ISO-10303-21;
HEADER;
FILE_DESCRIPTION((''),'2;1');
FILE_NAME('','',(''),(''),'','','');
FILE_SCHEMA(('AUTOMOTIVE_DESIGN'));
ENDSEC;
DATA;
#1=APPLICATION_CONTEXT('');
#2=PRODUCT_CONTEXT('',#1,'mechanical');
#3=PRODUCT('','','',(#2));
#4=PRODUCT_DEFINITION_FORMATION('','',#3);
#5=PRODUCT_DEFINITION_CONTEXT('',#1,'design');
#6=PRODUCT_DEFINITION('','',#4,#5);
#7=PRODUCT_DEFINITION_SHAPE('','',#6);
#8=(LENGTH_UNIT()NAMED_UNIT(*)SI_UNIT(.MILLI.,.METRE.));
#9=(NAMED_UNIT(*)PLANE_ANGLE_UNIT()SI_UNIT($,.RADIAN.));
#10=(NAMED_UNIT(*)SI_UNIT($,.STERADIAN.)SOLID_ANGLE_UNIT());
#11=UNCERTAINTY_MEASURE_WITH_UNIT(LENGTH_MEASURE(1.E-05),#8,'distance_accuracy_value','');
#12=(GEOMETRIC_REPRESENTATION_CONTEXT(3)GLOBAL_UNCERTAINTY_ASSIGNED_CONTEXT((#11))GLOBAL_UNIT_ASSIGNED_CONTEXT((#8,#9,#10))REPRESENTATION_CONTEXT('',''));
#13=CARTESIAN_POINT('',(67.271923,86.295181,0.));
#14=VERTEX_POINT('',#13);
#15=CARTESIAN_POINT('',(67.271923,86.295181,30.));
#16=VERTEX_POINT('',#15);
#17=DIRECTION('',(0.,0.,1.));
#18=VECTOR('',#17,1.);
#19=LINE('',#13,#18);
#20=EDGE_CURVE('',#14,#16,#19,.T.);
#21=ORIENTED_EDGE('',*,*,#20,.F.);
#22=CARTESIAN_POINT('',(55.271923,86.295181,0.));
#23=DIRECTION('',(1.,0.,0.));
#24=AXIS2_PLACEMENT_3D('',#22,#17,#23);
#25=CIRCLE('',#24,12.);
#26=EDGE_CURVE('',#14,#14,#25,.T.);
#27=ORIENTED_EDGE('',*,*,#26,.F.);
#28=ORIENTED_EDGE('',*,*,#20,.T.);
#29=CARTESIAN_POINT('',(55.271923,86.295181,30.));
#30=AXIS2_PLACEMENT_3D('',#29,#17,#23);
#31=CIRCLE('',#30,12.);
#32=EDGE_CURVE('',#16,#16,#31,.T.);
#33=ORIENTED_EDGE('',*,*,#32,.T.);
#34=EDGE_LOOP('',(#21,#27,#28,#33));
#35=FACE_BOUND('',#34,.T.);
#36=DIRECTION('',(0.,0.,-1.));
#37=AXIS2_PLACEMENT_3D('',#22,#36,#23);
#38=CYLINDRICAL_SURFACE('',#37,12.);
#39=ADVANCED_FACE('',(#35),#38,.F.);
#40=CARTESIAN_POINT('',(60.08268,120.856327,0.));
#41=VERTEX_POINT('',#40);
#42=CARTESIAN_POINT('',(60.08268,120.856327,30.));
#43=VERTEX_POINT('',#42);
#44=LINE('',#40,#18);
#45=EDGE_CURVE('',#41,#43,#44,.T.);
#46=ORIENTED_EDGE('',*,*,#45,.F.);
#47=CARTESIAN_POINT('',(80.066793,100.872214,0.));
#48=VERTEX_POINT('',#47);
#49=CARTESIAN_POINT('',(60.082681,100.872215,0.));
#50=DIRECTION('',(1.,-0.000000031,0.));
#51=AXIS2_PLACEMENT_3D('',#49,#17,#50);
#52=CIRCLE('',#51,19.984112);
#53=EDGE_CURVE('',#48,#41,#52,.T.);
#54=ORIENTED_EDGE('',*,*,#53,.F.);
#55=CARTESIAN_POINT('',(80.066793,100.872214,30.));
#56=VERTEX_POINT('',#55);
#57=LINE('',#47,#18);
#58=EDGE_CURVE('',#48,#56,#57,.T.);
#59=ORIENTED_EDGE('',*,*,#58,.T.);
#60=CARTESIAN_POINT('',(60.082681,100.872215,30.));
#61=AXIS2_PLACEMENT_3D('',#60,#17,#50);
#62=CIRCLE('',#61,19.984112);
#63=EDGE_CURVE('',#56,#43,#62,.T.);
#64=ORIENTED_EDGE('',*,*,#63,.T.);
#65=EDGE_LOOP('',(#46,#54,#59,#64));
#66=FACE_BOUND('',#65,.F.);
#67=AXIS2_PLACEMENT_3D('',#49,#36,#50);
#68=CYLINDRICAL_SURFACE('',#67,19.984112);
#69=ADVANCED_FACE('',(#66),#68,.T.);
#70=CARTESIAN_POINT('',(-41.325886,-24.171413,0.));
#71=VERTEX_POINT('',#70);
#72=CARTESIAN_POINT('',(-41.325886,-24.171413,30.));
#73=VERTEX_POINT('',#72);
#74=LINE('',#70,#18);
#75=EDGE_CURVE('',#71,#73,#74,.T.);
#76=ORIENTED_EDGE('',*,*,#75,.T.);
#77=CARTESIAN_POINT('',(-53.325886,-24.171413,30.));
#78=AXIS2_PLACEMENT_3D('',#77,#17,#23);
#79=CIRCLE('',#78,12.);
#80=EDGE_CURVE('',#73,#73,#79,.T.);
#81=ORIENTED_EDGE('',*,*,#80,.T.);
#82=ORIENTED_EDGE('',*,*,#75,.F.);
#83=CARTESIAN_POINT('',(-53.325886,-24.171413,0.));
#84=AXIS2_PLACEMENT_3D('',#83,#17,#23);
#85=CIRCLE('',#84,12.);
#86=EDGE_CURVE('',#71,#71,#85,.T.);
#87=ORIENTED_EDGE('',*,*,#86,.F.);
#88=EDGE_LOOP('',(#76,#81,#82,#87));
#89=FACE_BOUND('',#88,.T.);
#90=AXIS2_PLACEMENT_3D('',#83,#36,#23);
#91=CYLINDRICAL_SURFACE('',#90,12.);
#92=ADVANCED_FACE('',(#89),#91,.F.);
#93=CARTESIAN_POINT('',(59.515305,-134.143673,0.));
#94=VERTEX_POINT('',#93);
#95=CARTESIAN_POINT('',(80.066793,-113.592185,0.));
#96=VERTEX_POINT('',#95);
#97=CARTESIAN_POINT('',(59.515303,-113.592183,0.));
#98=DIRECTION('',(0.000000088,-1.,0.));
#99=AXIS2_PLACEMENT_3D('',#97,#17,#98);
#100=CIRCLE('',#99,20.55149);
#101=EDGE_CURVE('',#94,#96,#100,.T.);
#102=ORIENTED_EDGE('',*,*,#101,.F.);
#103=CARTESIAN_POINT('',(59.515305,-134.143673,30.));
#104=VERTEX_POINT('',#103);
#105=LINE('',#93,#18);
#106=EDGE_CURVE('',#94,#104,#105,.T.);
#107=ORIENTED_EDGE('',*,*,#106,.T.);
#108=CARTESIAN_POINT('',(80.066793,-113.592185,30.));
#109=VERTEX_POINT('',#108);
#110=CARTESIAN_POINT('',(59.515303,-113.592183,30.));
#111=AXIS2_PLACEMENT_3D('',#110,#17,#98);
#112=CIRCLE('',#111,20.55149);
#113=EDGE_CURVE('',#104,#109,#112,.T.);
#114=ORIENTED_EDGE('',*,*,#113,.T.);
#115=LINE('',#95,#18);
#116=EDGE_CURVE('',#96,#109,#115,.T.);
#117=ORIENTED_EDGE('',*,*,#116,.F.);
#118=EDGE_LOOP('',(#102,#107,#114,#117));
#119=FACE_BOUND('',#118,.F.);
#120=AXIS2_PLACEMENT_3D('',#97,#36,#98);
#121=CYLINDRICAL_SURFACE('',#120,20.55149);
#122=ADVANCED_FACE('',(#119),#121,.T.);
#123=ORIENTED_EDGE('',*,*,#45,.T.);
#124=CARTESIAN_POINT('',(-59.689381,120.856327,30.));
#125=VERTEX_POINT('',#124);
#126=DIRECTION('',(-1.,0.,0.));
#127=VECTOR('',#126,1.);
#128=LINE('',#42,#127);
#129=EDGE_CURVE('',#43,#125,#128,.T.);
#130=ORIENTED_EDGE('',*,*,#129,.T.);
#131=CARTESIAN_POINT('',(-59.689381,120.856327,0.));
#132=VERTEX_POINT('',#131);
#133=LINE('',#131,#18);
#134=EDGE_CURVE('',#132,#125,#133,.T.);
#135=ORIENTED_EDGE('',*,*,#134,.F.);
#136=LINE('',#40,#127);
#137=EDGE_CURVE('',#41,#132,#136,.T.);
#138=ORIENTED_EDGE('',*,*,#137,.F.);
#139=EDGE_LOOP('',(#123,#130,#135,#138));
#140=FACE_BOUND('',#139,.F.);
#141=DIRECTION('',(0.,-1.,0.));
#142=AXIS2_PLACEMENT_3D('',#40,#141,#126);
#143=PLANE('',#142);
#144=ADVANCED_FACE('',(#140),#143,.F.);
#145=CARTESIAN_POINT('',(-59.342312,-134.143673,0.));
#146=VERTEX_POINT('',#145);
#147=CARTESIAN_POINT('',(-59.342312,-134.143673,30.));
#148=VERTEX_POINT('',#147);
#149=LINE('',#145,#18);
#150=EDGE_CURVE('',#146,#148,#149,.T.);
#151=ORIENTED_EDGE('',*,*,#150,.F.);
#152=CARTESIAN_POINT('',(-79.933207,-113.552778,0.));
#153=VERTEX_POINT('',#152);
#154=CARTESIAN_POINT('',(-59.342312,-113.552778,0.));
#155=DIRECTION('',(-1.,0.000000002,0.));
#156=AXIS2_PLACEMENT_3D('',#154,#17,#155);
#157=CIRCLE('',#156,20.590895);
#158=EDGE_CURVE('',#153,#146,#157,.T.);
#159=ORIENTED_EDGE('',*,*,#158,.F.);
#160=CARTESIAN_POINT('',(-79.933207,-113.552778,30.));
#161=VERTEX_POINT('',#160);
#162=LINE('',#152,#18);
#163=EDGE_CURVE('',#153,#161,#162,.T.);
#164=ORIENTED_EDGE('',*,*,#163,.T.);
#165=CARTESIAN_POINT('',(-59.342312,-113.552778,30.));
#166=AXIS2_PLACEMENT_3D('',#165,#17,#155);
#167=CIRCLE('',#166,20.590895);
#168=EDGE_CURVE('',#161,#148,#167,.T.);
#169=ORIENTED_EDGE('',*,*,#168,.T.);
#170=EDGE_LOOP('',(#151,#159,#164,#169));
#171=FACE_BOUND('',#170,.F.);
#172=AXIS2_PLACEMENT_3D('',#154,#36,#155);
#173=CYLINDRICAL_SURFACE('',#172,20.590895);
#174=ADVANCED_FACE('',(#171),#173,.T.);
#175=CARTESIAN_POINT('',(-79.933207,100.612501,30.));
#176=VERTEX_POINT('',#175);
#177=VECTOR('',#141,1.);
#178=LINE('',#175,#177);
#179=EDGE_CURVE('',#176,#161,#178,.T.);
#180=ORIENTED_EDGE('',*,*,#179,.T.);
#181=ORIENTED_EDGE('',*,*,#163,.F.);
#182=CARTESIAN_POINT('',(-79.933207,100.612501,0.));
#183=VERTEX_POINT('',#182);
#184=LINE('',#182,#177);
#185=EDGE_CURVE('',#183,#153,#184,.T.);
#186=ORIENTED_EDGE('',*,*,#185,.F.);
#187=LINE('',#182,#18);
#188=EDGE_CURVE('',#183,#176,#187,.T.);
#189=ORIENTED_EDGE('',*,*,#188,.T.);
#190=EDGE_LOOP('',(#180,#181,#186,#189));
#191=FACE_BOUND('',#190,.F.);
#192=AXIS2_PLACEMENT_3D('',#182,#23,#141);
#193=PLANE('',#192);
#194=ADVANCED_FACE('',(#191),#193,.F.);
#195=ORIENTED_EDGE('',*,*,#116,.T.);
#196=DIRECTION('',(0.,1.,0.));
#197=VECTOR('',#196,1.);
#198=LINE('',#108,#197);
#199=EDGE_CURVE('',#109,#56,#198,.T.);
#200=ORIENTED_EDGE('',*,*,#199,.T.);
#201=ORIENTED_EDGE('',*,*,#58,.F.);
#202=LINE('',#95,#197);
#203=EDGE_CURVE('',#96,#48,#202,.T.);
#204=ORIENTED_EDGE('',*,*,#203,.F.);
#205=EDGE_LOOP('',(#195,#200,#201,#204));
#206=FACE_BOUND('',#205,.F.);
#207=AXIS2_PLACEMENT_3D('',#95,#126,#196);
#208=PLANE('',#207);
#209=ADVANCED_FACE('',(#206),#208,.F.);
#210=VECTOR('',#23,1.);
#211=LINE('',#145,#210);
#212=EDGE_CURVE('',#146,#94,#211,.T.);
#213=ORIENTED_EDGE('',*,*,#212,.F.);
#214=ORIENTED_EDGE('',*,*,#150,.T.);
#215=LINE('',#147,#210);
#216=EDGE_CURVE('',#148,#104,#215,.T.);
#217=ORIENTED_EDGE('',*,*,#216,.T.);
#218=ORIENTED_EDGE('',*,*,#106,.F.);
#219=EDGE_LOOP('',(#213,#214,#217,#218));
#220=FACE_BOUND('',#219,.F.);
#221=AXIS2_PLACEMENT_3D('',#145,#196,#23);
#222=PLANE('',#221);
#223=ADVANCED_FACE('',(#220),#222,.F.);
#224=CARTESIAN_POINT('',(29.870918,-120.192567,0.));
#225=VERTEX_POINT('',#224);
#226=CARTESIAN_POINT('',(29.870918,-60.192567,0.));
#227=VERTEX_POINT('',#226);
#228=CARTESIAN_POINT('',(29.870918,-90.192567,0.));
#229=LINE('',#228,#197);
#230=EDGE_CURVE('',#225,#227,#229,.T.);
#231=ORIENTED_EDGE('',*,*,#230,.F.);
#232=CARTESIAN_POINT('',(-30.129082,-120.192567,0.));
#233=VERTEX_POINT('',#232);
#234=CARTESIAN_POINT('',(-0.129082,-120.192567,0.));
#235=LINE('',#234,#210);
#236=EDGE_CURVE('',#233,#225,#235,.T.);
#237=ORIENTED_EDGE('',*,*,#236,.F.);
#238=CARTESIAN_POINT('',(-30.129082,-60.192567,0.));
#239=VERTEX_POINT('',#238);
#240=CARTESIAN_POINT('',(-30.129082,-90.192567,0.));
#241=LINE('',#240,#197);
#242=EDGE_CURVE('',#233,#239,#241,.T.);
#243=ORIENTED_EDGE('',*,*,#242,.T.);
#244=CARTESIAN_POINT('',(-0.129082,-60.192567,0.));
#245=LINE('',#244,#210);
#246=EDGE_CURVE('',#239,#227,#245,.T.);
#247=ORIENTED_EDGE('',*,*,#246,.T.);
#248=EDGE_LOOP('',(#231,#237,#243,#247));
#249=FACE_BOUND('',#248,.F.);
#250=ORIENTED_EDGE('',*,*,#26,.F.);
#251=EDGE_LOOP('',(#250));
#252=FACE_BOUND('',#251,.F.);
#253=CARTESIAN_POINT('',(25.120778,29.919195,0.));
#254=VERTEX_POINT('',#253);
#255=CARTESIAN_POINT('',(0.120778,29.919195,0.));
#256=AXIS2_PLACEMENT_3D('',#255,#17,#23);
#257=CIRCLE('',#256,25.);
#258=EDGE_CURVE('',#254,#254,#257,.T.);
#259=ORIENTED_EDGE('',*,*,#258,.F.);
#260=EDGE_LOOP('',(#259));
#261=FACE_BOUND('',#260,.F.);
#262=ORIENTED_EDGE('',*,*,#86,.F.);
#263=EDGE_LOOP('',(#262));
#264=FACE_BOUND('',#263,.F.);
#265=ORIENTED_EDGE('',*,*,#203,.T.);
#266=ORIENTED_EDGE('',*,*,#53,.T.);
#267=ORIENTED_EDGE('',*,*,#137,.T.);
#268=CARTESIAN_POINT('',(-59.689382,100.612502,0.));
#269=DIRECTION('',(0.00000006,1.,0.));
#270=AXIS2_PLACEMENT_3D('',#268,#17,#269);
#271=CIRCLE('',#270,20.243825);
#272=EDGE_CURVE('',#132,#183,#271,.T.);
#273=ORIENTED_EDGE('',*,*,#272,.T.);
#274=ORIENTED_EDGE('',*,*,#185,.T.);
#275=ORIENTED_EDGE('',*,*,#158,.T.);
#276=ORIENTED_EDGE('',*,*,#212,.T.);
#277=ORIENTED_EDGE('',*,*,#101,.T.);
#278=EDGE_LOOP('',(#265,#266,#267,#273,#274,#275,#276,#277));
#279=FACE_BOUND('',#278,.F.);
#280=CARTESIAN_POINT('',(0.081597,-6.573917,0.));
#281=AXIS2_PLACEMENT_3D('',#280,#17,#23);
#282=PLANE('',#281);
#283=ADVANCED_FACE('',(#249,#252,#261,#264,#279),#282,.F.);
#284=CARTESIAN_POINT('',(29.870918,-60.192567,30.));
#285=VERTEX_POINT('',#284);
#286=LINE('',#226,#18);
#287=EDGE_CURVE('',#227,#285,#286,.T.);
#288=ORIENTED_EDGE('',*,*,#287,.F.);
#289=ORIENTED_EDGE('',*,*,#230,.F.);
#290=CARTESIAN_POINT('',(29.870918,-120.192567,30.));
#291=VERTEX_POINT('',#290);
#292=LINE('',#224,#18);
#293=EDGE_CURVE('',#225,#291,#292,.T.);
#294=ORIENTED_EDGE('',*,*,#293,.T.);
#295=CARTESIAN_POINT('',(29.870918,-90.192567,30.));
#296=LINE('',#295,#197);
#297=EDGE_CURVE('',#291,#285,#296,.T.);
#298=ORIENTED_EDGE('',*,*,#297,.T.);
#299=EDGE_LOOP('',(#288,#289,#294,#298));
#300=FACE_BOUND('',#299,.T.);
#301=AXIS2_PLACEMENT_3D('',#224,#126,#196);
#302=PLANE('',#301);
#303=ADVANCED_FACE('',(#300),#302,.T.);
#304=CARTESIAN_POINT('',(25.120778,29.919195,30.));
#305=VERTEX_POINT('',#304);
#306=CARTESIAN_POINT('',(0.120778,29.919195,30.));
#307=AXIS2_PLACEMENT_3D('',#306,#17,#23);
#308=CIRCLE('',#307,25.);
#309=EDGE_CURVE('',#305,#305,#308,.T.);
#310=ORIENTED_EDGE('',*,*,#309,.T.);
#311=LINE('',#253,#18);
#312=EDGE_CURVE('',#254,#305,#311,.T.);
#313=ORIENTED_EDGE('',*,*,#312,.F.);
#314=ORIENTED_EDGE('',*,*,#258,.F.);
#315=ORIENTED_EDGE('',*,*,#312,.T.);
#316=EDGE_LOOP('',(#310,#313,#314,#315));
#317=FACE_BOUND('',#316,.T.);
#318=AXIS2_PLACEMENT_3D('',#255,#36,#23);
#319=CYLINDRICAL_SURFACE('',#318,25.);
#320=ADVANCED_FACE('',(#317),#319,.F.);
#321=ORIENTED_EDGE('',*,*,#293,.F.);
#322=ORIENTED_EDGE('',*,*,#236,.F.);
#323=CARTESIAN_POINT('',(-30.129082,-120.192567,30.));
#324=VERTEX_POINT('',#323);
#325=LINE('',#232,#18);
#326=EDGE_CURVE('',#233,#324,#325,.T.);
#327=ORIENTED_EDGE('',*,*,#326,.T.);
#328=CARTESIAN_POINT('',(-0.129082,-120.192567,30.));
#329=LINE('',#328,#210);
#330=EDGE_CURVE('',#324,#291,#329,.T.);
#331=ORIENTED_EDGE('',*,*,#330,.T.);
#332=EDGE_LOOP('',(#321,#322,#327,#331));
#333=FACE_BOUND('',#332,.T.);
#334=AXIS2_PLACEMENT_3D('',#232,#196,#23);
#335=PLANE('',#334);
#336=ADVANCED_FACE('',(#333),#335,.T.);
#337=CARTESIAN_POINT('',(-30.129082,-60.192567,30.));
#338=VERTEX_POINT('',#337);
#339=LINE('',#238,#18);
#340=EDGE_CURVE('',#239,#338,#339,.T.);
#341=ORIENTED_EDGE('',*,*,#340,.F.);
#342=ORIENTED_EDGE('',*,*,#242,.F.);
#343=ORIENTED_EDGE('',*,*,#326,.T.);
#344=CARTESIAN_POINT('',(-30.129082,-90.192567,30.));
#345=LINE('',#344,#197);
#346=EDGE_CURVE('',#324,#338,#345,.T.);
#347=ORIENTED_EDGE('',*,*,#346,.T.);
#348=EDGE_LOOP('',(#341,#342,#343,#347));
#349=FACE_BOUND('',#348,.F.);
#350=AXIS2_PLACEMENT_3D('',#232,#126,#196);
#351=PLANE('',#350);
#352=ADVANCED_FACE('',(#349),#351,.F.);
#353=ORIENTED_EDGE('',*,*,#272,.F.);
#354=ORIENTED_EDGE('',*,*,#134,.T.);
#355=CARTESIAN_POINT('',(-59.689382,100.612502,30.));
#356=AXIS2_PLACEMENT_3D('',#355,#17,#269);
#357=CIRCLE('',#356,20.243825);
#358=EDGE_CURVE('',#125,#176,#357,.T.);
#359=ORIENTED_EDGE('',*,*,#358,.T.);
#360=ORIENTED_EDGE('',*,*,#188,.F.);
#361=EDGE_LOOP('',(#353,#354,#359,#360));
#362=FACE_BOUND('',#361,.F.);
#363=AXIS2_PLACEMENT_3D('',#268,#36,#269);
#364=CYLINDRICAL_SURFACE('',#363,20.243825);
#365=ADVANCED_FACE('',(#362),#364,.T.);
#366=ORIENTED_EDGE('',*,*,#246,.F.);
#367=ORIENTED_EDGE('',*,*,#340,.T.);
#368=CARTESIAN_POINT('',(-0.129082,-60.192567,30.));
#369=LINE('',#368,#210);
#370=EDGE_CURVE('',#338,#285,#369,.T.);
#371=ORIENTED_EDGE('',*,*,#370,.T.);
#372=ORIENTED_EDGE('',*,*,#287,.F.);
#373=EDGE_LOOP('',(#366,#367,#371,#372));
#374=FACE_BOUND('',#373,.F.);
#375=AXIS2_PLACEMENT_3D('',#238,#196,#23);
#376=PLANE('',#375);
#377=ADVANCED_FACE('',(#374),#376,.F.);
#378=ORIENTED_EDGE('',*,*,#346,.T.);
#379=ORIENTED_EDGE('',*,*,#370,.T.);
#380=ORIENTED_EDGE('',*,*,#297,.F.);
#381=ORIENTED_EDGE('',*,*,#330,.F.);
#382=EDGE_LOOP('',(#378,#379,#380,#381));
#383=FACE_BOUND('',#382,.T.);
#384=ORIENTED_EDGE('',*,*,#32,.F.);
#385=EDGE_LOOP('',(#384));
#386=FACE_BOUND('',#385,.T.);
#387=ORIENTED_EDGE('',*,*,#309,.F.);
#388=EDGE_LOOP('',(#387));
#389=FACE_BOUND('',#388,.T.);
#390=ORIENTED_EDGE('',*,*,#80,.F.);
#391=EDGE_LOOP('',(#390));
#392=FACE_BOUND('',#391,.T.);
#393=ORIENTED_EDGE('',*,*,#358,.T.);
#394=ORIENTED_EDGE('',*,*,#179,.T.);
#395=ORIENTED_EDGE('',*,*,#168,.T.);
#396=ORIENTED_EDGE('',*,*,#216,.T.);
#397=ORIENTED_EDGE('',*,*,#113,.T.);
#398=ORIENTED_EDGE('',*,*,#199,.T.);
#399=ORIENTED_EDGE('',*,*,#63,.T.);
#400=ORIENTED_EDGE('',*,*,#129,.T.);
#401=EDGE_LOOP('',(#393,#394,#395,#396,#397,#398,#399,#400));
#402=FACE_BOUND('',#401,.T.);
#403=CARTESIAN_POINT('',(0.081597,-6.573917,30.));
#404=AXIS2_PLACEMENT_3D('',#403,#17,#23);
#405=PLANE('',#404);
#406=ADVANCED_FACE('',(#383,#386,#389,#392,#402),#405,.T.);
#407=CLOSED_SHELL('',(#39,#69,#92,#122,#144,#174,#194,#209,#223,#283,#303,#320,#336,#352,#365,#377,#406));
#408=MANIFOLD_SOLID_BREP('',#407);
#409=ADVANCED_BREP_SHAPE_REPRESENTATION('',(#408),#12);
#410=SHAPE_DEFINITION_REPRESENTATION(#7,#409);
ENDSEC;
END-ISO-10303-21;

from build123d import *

# Parameters (mm, degrees)
SKETCH_R     = 25
SKETCH_R_2   = 12
SKETCH_W     = 60
SKETCH_H     = 60
PAD_DEPTH    = 30
PAD001_DEPTH = 30


with BuildPart() as part:
    # Sketch → Pad (new body)
    with BuildSketch(Plane.XY):
        with BuildLine():
            Line((-59.342312, -134.143673), (59.515305, -134.143673))
            ThreePointArc((59.515305, -134.143673), (74.047401, -128.124281), (80.066793, -113.592185))
            Line((80.066793, -113.592185), (80.066793, 100.872214))
            ThreePointArc((80.066793, 100.872214), (74.213582, 115.003116), (60.08268, 120.856327))
            Line((60.08268, 120.856327), (-59.689381, 120.856327))
            ThreePointArc((-59.689381, 120.856327), (-74.003928, 114.927048), (-79.933207, 100.612501))
            Line((-79.933207, 100.612501), (-79.933207, -113.552778))
            ThreePointArc((-79.933207, -113.552778), (-73.902274, -128.112739), (-59.342312, -134.143673))
        make_face()
        with Locations((0.120778, 29.919195)):
            Circle(SKETCH_R, mode=Mode.SUBTRACT)
        with Locations((-53.325886, -24.171413)):
            Circle(SKETCH_R_2, mode=Mode.SUBTRACT)
        with Locations((55.271923, 86.295181)):
            Circle(SKETCH_R_2, mode=Mode.SUBTRACT)
        with Locations((-0.129082, -90.192567)):
            Rectangle(SKETCH_W, SKETCH_H, mode=Mode.SUBTRACT)
    extrude(amount=PAD_DEPTH)

    # Sketch → Pad001 (join)
    with BuildSketch(Plane.XY):
        with BuildLine():
            Line((-59.342312, -134.143673), (59.515305, -134.143673))
            ThreePointArc((59.515305, -134.143673), (74.047401, -128.124281), (80.066793, -113.592185))
            Line((80.066793, -113.592185), (80.066793, 100.872214))
            ThreePointArc((80.066793, 100.872214), (74.213582, 115.003116), (60.08268, 120.856327))
            Line((60.08268, 120.856327), (-59.689381, 120.856327))
            ThreePointArc((-59.689381, 120.856327), (-74.003928, 114.927048), (-79.933207, 100.612501))
            Line((-79.933207, 100.612501), (-79.933207, -113.552778))
            ThreePointArc((-79.933207, -113.552778), (-73.902274, -128.112739), (-59.342312, -134.143673))
        make_face()
        with Locations((0.120778, 29.919195)):
            Circle(SKETCH_R, mode=Mode.SUBTRACT)
        with Locations((-53.325886, -24.171413)):
            Circle(SKETCH_R_2, mode=Mode.SUBTRACT)
        with Locations((55.271923, 86.295181)):
            Circle(SKETCH_R_2, mode=Mode.SUBTRACT)
        with Locations((-0.129082, -90.192567)):
            Rectangle(SKETCH_W, SKETCH_H, mode=Mode.SUBTRACT)
    extrude(amount=PAD001_DEPTH)


solid = part.part
